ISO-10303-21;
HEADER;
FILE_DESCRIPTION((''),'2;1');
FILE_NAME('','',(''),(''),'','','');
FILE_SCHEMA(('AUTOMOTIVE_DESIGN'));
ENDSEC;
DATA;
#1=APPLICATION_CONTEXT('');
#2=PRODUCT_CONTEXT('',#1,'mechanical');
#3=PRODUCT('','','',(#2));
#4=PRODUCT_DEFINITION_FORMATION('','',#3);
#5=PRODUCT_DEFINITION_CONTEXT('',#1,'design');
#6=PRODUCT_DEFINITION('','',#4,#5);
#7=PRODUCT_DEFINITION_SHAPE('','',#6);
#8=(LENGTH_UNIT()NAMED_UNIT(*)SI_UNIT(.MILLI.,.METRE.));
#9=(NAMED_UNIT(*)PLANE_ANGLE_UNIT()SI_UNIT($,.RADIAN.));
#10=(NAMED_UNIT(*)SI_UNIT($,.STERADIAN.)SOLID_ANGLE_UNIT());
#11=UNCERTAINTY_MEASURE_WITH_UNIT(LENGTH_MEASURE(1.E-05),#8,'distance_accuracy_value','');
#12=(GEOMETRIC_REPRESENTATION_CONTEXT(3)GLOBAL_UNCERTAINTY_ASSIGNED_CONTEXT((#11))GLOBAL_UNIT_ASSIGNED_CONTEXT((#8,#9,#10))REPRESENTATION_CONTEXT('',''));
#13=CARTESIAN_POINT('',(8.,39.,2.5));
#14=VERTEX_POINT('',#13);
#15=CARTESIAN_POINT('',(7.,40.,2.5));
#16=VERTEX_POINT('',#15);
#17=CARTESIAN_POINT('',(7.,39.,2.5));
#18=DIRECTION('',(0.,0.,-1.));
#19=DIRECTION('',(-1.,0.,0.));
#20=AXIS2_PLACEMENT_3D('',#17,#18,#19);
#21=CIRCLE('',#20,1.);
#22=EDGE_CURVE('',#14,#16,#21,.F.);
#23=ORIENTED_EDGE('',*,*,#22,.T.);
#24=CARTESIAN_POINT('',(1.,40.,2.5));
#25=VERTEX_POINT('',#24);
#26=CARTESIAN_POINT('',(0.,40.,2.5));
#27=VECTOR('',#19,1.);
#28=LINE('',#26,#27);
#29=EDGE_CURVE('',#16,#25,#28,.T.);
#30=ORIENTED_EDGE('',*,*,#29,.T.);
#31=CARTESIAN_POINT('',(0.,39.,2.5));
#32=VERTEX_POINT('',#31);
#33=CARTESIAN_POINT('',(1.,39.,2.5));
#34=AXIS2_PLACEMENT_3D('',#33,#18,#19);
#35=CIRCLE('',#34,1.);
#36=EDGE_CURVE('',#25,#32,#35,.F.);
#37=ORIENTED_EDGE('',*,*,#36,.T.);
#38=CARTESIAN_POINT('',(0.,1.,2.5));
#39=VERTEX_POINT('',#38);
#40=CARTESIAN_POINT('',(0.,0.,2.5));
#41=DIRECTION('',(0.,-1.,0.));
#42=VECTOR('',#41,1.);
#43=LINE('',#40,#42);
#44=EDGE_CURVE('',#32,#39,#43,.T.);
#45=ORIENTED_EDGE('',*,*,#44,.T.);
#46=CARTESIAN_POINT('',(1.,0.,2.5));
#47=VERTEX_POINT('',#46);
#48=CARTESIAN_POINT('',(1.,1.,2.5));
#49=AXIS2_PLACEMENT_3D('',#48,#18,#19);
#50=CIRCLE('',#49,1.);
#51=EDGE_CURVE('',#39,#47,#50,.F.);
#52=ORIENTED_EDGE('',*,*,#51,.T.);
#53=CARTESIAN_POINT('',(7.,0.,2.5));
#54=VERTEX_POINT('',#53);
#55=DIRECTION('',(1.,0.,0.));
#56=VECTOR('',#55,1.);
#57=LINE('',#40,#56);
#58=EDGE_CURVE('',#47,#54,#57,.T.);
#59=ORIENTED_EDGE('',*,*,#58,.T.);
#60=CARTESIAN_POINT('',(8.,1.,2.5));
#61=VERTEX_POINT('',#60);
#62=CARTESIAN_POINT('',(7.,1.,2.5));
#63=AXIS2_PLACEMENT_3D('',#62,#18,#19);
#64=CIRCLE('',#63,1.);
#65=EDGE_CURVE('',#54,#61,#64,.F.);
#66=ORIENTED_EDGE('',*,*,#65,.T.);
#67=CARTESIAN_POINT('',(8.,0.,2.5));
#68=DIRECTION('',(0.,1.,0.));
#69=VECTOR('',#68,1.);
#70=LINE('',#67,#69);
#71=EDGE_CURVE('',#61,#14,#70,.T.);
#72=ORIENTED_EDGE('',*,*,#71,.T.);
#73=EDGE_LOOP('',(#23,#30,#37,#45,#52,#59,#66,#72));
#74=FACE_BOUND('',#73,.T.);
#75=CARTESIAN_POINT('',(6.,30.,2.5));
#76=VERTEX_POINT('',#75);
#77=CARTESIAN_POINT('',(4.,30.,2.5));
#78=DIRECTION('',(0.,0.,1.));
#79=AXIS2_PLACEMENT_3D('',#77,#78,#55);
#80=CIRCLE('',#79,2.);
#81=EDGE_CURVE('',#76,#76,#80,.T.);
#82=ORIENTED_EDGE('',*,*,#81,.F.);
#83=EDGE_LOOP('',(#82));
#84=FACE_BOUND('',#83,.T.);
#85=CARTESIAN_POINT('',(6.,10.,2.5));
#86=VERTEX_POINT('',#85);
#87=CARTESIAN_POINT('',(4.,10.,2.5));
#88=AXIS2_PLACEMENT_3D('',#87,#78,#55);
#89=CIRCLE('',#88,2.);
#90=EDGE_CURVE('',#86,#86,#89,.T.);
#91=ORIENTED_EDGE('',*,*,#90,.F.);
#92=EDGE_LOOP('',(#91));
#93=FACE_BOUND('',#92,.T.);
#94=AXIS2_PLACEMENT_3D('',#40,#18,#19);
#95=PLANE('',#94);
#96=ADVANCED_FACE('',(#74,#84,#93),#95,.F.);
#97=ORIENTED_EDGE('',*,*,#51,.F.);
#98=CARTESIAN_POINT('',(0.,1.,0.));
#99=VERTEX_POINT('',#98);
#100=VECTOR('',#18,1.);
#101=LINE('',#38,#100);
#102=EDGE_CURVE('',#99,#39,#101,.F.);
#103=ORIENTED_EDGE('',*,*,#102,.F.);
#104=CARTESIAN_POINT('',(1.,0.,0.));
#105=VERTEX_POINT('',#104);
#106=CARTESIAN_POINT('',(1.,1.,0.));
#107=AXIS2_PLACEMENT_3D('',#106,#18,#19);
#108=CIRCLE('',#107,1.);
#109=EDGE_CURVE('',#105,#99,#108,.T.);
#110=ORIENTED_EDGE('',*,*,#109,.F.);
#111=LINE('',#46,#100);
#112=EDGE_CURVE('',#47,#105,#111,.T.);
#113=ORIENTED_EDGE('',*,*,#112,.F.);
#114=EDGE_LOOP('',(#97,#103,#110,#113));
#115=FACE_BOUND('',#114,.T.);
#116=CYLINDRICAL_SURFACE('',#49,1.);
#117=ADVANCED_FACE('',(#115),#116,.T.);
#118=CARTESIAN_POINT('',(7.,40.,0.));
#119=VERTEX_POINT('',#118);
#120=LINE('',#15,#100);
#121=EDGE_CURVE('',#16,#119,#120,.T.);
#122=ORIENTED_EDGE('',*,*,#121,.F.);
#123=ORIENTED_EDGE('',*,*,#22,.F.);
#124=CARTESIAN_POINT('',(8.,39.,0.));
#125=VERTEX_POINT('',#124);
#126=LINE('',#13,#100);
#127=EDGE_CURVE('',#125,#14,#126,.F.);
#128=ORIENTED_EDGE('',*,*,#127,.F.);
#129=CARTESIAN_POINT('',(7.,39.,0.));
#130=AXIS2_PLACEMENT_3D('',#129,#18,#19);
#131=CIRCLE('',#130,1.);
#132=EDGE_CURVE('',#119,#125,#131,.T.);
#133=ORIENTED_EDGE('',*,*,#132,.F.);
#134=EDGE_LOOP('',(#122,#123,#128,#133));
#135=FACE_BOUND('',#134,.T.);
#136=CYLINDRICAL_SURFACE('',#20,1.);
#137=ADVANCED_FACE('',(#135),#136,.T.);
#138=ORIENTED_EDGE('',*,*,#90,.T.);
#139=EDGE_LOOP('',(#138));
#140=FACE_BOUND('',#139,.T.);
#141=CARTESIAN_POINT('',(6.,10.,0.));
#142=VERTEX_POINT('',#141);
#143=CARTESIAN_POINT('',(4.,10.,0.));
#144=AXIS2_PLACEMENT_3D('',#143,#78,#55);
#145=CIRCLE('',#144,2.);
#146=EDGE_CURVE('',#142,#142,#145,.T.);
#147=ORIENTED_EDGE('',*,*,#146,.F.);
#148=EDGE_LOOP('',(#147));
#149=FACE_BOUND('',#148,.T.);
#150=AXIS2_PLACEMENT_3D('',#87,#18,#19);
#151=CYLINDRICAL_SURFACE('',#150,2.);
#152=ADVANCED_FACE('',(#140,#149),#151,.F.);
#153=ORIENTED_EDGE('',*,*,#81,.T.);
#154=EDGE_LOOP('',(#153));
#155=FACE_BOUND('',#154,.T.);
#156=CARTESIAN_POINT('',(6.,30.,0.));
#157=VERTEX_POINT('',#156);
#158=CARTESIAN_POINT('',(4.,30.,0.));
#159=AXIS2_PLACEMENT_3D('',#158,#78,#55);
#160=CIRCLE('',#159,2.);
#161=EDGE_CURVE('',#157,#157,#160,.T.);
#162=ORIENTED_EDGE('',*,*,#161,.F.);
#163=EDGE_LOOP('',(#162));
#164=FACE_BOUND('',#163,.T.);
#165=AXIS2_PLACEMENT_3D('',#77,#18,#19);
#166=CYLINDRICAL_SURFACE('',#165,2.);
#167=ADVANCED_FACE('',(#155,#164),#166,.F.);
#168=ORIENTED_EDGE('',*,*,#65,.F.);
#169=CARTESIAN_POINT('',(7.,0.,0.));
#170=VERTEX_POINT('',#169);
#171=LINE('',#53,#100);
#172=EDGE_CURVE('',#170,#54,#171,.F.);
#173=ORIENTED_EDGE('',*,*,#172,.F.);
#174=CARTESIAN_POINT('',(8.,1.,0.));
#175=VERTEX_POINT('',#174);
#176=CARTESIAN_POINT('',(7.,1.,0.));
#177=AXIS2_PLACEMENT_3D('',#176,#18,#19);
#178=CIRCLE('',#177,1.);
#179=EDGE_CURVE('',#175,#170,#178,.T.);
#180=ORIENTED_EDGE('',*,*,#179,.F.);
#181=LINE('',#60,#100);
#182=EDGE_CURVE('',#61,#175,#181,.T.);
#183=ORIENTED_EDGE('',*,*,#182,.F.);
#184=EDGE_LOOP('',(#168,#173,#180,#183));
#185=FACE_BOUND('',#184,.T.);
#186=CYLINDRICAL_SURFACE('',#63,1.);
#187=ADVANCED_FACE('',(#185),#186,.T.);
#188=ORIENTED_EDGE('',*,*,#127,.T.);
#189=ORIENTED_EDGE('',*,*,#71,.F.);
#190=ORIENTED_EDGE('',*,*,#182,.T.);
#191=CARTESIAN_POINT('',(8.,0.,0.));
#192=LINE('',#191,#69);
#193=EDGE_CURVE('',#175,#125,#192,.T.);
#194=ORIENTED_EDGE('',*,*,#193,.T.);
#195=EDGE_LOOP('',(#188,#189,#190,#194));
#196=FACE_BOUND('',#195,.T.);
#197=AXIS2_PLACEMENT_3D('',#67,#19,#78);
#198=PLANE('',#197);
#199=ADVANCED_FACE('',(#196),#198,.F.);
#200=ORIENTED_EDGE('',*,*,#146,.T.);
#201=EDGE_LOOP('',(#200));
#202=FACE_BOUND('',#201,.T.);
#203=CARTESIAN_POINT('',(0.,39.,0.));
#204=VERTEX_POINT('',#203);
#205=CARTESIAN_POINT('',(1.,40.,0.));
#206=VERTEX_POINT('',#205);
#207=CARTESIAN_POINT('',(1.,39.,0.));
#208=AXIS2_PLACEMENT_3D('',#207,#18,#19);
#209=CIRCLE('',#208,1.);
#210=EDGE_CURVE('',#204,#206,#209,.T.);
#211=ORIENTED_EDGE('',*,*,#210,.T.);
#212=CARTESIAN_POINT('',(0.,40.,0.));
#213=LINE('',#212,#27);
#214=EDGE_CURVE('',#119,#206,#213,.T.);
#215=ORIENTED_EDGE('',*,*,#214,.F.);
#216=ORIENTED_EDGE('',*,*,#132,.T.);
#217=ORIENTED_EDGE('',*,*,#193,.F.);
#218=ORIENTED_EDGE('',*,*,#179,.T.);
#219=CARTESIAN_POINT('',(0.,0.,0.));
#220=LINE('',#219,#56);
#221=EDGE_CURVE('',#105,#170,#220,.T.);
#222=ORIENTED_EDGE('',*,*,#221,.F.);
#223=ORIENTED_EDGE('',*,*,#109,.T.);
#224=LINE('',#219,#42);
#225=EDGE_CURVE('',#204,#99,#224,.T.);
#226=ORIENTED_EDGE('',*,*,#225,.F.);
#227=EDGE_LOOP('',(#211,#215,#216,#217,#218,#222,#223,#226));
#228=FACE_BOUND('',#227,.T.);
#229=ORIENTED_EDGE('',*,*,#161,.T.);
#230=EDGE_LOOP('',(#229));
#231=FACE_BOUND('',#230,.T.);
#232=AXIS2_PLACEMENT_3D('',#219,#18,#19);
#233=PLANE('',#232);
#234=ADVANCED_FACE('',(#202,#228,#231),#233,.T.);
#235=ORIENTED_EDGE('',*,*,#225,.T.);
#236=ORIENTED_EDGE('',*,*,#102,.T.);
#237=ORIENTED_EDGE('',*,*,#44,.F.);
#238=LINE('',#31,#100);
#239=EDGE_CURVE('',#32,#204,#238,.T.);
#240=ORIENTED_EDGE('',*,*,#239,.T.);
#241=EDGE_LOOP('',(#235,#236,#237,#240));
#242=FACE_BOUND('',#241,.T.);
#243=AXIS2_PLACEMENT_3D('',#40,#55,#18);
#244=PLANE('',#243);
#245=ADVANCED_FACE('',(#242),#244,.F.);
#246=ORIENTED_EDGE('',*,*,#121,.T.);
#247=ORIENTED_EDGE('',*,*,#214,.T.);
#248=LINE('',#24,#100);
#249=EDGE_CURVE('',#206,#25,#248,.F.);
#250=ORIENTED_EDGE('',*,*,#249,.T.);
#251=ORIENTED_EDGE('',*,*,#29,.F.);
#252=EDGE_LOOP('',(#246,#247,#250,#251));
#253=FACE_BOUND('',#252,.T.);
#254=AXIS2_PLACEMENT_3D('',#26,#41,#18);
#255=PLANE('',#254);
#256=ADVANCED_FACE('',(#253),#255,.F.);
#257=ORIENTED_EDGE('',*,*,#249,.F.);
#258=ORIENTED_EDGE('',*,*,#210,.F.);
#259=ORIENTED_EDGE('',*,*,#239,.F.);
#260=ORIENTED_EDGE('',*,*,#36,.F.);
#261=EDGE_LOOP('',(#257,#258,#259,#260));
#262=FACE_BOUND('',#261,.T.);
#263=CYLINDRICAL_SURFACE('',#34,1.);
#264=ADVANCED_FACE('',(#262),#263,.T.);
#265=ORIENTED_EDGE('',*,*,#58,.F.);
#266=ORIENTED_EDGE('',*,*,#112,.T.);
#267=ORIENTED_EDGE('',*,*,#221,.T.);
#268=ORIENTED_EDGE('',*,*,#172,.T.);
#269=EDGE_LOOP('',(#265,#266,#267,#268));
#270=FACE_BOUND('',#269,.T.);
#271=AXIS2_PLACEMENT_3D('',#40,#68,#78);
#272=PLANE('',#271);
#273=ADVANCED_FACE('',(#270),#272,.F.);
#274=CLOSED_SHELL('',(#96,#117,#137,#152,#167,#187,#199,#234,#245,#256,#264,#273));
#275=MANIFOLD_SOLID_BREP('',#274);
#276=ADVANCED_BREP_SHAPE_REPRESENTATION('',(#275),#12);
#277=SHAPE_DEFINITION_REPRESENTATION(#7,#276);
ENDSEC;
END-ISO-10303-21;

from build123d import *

# Parameters (mm, degrees)
SKETCH1_W           = 8
SKETCH1_H           = 40
SKETCH1_R           = 2
BOSS_EXTRUDE1_DEPTH = 2.5
FILLET1_R           = 1


with BuildPart() as part:
    # Sketch1 → Boss-Extrude1 (new body)
    with BuildSketch(Plane.XY):
        with Locations((4, 20)):
            Rectangle(SKETCH1_W, SKETCH1_H)
        with Locations((4, 10)):
            Circle(SKETCH1_R, mode=Mode.SUBTRACT)
        with Locations((4, 30)):
            Circle(SKETCH1_R, mode=Mode.SUBTRACT)
    extrude(amount=BOSS_EXTRUDE1_DEPTH)

    # Fillet1
    fillet1_edges = [part.edges().sort_by_distance(p)[0] for p in [
        (0, 40, 1.25),
        (8, 40, 1.25),
        (8, 0, 1.25),
        (0, 0, 1.25),
    ]]
    fillet(fillet1_edges, radius=FILLET1_R)


solid = part.part
